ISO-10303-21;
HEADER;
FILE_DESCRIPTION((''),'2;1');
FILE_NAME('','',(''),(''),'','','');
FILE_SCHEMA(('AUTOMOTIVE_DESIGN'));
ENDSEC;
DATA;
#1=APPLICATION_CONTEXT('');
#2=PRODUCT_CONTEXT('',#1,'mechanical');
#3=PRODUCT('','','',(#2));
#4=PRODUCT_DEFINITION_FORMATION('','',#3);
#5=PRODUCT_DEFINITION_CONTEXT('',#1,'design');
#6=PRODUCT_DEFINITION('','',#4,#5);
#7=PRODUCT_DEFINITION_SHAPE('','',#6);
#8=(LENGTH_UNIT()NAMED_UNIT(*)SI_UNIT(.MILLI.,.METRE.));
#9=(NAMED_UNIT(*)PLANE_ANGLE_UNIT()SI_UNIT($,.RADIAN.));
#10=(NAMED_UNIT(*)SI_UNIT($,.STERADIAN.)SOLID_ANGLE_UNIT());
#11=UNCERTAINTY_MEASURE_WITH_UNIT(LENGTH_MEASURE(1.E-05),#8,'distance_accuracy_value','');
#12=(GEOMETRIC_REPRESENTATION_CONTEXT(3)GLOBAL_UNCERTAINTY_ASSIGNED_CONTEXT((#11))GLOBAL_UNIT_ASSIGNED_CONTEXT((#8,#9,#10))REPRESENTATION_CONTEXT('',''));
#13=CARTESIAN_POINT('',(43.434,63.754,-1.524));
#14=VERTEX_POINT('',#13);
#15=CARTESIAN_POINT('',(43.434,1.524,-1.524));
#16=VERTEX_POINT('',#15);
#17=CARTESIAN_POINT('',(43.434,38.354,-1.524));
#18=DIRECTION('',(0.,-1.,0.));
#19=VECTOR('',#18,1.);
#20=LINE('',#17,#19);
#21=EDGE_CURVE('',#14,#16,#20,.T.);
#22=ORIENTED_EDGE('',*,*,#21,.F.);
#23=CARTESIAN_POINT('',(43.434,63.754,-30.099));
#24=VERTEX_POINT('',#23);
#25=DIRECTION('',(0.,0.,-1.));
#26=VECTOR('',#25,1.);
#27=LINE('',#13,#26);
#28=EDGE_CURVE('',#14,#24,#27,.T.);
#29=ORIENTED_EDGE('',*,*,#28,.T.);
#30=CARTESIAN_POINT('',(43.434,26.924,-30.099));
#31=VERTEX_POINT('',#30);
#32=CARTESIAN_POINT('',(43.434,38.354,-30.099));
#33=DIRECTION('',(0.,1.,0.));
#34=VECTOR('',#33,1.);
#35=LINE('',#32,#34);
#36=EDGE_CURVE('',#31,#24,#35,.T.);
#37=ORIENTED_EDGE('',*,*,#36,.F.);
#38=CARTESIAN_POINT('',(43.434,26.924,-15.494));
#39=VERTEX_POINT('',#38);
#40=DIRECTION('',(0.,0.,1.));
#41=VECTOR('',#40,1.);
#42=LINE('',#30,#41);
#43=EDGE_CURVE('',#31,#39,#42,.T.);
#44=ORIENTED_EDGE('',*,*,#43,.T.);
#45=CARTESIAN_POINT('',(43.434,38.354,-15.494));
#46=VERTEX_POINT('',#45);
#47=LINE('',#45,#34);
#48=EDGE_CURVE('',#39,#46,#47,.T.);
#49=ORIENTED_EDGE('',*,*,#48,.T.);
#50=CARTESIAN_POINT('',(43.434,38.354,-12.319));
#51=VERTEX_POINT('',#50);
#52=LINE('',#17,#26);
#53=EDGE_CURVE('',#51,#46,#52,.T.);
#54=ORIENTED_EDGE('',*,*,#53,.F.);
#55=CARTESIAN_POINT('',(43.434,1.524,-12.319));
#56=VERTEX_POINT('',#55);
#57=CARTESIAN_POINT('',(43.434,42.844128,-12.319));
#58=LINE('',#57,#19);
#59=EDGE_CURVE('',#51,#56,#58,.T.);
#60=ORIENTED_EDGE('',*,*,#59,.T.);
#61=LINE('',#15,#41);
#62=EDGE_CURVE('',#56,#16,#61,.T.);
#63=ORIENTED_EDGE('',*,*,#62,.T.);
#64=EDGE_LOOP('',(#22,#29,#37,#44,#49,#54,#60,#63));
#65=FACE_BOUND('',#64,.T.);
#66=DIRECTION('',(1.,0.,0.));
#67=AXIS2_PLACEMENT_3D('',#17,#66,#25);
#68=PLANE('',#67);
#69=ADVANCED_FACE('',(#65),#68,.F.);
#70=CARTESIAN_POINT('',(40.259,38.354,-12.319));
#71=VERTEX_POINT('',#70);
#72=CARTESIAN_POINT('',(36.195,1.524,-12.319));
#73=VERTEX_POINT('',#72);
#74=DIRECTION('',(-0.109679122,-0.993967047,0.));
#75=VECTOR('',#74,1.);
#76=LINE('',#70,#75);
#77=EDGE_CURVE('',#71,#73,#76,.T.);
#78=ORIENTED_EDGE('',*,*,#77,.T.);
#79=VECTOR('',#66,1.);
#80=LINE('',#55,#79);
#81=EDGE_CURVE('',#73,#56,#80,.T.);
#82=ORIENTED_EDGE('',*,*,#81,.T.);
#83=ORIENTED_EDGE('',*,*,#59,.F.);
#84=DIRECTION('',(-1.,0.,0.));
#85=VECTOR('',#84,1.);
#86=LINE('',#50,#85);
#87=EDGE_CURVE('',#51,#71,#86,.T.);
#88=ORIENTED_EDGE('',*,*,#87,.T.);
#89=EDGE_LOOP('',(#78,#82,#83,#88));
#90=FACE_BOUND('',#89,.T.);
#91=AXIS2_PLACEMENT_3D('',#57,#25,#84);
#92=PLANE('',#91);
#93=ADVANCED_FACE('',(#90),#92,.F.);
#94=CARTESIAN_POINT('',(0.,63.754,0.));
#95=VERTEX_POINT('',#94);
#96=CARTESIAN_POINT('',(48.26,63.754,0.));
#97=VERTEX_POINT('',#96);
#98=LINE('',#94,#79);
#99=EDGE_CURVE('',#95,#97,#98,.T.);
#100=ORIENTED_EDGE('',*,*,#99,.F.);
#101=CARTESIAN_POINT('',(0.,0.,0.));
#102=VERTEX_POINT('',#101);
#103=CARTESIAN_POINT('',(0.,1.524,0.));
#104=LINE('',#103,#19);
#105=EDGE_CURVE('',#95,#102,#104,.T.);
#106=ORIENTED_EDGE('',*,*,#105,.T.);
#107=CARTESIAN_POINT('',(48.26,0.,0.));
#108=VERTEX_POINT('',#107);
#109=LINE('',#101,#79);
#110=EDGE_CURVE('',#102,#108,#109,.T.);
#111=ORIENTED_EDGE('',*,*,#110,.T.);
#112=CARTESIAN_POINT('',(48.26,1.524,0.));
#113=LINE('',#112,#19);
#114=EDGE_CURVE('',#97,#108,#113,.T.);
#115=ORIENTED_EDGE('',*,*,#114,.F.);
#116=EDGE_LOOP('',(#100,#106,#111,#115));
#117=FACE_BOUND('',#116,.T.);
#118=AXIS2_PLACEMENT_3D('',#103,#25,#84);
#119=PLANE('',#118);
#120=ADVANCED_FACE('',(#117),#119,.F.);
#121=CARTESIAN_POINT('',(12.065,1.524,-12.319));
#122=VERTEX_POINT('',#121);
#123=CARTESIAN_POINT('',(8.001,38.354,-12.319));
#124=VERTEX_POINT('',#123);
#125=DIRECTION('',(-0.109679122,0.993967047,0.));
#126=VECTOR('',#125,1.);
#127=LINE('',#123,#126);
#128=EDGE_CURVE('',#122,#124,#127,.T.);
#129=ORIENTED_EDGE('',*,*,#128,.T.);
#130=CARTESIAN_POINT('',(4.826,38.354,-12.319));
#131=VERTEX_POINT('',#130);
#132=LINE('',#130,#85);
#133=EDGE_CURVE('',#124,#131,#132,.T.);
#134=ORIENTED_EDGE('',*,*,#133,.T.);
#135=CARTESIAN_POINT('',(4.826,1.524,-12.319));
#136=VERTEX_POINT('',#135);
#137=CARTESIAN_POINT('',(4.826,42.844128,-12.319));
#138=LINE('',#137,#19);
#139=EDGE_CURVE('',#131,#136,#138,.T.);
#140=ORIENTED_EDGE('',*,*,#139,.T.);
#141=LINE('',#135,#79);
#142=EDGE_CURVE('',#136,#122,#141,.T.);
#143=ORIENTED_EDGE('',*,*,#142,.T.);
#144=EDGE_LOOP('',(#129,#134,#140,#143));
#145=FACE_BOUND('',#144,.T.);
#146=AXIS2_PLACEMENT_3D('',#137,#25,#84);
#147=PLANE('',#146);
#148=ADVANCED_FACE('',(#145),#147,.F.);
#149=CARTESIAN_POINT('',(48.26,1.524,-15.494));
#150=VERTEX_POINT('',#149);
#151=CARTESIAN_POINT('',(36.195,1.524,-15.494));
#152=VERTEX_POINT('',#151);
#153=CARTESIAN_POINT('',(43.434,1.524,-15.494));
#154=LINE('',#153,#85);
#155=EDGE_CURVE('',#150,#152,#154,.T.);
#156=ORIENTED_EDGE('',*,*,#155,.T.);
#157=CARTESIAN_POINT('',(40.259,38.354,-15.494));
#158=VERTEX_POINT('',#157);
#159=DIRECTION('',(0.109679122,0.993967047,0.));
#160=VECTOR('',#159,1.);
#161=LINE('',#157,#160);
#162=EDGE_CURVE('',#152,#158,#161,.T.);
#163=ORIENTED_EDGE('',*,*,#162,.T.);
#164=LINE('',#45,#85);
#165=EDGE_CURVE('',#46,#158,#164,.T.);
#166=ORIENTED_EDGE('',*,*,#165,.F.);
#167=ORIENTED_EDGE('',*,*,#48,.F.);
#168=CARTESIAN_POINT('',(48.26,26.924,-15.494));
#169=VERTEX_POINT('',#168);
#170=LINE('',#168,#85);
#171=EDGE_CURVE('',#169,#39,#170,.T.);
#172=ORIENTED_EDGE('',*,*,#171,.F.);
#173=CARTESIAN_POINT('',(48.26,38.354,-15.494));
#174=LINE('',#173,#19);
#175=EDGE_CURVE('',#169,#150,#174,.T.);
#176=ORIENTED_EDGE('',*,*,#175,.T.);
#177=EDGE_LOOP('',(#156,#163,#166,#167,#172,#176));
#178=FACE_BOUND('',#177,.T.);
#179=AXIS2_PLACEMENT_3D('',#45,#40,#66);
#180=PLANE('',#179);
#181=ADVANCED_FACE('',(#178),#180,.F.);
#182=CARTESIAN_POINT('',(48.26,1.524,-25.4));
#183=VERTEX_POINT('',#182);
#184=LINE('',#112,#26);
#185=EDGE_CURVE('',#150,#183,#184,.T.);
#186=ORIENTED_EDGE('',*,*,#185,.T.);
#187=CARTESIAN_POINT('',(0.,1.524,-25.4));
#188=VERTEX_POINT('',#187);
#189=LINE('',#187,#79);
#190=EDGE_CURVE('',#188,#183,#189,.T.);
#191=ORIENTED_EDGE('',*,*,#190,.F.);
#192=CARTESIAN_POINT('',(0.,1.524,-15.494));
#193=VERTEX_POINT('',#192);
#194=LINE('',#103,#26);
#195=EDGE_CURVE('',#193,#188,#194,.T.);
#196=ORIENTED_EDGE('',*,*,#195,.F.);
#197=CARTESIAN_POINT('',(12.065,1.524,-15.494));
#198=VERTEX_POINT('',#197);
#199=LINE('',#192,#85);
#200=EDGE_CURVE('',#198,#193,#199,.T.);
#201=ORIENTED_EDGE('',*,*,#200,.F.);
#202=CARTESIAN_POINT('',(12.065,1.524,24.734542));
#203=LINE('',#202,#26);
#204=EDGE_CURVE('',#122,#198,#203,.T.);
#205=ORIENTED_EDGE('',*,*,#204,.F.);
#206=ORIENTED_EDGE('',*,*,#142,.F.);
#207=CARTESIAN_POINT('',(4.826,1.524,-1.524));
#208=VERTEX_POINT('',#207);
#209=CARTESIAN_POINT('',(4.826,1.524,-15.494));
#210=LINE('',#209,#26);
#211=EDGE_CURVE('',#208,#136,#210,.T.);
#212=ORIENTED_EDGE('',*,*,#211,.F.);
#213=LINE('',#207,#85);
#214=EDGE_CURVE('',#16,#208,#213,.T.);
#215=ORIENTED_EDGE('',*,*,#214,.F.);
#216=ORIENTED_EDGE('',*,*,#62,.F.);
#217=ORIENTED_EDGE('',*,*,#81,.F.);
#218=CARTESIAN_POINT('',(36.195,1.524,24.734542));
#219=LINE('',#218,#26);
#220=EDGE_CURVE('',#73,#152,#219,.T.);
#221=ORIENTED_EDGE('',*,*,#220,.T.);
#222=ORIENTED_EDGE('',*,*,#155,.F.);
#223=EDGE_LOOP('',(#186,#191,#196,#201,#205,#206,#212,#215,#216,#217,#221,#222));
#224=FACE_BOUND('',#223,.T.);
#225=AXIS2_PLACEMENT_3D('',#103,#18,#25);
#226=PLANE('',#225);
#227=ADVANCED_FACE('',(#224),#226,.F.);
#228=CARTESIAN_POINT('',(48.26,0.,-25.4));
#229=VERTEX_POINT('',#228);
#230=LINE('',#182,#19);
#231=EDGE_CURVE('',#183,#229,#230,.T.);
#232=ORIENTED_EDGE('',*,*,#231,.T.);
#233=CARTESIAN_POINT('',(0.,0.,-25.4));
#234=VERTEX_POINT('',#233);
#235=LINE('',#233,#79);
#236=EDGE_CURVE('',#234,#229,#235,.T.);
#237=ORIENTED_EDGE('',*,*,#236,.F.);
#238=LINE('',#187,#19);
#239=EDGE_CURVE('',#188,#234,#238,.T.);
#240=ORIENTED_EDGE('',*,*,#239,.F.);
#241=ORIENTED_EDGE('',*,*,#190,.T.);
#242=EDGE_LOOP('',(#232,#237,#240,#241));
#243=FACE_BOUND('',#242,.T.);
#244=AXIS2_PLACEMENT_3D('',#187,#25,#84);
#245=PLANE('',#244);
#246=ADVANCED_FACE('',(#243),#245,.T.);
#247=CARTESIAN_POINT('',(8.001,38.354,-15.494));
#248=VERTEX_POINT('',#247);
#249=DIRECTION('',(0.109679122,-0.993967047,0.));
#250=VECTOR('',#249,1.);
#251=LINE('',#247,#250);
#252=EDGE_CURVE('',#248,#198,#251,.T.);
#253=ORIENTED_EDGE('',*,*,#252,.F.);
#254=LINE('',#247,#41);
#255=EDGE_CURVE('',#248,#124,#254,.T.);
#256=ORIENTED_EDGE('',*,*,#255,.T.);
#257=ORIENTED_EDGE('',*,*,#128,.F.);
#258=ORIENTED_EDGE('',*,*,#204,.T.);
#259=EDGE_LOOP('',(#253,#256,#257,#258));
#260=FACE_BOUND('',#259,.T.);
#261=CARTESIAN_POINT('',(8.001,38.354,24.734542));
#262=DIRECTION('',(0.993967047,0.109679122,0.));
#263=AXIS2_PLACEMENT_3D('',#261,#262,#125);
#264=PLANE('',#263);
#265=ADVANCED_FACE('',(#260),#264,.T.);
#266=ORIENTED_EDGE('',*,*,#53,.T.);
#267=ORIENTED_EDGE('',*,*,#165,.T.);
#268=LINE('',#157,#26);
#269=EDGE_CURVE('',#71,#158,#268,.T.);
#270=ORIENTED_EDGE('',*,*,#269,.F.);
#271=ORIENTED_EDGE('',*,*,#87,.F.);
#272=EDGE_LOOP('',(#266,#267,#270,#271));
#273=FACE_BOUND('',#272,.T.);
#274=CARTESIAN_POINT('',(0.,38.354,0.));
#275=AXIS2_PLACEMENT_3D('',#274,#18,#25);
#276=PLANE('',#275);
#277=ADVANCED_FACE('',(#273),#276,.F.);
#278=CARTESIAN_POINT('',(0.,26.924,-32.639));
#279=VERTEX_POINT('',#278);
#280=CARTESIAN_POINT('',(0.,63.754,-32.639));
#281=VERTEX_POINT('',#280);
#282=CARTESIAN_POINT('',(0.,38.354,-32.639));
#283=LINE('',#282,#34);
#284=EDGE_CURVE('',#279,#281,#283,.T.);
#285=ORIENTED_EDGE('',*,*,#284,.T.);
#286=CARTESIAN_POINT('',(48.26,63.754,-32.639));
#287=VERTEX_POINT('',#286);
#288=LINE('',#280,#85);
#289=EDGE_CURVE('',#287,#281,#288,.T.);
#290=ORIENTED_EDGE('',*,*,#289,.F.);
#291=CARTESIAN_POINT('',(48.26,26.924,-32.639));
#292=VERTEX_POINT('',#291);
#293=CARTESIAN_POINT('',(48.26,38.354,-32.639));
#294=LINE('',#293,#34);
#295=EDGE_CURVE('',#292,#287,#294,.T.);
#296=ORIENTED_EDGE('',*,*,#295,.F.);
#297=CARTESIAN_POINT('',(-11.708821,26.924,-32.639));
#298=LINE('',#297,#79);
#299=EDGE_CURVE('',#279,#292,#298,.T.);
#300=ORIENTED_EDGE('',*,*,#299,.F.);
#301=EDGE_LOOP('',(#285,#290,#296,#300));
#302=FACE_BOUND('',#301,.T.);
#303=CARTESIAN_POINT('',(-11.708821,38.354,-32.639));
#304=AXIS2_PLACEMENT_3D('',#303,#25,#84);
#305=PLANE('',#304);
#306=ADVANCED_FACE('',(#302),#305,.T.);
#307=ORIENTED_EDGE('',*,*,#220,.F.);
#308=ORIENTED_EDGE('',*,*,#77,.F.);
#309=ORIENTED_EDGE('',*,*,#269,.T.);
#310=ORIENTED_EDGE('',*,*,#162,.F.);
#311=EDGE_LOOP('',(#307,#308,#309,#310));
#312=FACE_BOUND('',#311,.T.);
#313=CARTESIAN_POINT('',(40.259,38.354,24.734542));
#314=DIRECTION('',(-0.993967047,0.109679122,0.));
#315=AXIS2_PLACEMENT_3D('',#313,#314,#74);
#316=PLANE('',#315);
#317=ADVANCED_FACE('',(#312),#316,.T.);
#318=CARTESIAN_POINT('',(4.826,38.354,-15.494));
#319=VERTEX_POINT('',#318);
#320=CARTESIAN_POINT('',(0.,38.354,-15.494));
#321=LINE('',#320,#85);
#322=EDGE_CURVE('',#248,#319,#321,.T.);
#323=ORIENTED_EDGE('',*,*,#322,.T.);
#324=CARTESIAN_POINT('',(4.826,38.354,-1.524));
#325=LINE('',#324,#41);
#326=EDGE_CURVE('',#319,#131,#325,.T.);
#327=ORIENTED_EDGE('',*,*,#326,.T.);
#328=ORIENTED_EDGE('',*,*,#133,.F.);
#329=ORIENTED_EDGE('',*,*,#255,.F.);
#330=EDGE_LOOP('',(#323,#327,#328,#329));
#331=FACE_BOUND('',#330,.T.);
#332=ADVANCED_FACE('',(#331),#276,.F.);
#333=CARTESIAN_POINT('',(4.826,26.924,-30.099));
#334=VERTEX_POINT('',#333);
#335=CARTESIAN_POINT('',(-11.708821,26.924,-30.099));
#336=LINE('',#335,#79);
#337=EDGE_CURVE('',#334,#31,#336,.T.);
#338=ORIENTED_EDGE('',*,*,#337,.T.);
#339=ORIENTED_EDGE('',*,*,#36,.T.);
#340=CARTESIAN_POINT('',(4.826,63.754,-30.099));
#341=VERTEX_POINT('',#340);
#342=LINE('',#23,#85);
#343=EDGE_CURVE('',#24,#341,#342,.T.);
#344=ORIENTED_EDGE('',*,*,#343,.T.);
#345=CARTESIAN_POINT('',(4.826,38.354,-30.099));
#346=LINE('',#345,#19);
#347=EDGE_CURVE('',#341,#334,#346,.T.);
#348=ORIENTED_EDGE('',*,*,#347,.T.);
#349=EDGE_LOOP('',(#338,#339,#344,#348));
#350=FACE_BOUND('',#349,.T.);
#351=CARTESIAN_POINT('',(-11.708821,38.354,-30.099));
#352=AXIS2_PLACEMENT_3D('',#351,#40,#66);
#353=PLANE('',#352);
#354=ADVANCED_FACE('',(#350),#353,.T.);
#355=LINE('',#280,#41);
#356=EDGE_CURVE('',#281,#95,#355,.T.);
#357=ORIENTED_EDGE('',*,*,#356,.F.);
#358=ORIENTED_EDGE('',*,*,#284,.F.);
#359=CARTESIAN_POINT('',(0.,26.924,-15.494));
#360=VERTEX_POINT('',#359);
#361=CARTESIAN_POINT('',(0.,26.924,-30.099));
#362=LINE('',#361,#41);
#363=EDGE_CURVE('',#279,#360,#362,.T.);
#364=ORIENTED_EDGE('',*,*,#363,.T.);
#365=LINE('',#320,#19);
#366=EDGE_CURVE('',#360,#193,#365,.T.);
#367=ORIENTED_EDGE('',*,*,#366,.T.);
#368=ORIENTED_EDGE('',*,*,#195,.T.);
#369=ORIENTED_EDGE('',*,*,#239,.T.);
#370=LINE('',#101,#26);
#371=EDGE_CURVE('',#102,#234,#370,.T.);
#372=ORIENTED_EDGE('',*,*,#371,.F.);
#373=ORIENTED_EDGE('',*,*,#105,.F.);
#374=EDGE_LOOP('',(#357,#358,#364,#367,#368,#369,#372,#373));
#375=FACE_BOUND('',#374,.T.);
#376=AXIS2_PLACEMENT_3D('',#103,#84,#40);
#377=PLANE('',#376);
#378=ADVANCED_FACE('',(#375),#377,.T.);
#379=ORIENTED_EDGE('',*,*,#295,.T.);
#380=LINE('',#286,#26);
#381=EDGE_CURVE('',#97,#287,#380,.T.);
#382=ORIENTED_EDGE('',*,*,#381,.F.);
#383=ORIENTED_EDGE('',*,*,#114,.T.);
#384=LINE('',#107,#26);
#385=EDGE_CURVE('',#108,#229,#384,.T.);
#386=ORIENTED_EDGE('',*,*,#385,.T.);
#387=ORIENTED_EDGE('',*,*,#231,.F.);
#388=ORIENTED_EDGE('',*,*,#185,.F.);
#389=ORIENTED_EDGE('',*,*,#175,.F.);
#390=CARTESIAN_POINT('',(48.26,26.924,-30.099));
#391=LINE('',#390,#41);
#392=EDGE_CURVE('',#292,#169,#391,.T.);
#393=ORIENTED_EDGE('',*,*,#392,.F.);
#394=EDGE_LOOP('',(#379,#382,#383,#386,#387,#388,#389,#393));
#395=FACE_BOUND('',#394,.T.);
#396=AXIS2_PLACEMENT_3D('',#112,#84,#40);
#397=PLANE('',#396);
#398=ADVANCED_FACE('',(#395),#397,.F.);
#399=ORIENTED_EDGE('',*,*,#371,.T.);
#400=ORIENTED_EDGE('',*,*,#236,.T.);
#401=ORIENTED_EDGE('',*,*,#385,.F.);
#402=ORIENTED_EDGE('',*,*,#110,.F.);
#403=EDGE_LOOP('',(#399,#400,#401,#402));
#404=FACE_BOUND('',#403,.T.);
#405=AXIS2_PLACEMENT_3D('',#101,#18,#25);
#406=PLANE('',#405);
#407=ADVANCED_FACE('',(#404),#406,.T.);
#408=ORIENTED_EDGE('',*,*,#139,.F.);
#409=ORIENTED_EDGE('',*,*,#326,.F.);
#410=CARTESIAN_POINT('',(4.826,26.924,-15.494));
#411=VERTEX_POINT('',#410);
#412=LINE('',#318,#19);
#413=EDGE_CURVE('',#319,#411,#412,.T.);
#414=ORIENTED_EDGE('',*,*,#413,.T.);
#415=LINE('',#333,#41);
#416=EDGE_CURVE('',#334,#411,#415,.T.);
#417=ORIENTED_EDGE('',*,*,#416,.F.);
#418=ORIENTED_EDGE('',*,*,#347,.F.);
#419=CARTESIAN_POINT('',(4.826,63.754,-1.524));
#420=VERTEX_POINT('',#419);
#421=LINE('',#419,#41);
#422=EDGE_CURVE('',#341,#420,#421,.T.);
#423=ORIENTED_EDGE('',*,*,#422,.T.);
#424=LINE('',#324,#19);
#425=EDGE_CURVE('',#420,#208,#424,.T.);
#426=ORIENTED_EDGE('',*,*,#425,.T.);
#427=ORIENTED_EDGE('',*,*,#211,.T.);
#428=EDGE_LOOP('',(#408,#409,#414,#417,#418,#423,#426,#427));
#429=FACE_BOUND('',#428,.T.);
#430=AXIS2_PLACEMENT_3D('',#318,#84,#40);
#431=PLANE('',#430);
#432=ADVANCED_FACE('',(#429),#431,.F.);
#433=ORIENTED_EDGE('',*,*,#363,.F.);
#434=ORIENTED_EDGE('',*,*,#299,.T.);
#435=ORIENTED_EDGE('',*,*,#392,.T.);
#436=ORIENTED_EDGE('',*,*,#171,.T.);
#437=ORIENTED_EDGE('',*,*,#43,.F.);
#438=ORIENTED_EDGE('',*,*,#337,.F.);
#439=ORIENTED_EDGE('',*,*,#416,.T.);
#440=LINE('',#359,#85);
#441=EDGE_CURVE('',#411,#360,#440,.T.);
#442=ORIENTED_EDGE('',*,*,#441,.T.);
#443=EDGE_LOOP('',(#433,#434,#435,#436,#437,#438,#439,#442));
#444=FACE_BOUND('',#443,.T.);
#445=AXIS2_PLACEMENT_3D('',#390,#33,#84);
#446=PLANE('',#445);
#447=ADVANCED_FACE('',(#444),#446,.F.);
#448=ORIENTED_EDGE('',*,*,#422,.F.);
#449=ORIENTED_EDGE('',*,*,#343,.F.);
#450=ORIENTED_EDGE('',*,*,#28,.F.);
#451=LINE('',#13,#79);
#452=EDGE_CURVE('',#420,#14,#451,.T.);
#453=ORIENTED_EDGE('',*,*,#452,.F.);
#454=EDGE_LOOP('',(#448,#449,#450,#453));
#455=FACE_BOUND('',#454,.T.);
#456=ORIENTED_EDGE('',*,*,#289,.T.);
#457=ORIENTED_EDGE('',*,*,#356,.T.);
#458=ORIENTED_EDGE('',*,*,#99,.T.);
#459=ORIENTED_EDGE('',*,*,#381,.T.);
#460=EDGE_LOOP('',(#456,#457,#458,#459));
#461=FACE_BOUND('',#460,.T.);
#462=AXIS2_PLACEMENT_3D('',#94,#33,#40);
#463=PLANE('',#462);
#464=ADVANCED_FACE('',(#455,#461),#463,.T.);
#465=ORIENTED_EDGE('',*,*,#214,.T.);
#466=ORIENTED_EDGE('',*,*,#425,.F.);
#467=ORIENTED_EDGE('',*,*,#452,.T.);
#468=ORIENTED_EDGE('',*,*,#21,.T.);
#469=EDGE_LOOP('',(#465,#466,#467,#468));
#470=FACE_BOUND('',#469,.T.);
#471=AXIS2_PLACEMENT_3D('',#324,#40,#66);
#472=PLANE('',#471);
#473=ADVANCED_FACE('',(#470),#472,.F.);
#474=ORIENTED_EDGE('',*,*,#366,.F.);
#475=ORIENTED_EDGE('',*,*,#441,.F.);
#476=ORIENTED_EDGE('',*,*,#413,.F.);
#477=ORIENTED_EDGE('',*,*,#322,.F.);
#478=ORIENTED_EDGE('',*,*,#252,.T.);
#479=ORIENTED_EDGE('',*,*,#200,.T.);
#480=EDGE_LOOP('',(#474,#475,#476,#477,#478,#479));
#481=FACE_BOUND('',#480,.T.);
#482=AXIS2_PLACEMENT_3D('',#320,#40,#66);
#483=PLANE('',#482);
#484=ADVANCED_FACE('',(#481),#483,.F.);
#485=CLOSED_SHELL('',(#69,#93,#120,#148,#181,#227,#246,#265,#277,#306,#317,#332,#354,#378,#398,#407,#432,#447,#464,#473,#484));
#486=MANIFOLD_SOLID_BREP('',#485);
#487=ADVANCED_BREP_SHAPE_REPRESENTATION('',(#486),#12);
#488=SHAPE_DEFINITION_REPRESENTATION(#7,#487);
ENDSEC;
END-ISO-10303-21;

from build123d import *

# Parameters (mm, degrees)
SKETCH1_W           = 48.26
SKETCH1_H           = 25.4
BOSS_EXTRUDE1_DEPTH = 1.524
BOSS_EXTRUDE2_DEPTH = 36.83
SKETCH3_W           = 3.175
SKETCH3_H           = 3.175
BOSS_EXTRUDE3_DEPTH = 36.83
BOSS_EXTRUDE4_DEPTH = 3.175
SKETCH5_W           = 4.826
SKETCH5_H           = 11.43
BOSS_EXTRUDE5_DEPTH = 14.605
SKETCH7_W           = 2.54
SKETCH7_H           = 11.43
BOSS_EXTRUDE6_DEPTH = 48.26
SKETCH8_W           = 48.26
SKETCH8_H           = 32.639
SKETCH8_W_2         = 38.608
SKETCH8_H_2         = 28.575
BOSS_EXTRUDE7_DEPTH = 25.4


with BuildPart() as part:
    # Sketch1 → Boss-Extrude1 (new body)
    with BuildSketch(Plane(origin=(0, 0, 0), x_dir=(1, 0, 0), z_dir=(0, 1, 0))):
        with Locations((24.13, 12.7)):
            Rectangle(SKETCH1_W, SKETCH1_H)
    extrude(amount=BOSS_EXTRUDE1_DEPTH)

    # Sketch2 → Boss-Extrude2 (add)
    with BuildSketch(Plane(origin=(0, 1.524, 0), x_dir=(1, 0, 0), z_dir=(0, 1, 0))):
        Polygon((0, 15.494), (4.826, 15.494), (4.826, 1.524), (43.434, 1.524), (43.434, 15.494), (48.26, 15.494), (48.26, 0), (0, 0), align=None)
    extrude(amount=BOSS_EXTRUDE2_DEPTH)

    # Sketch3 → Boss-Extrude3 (add)
    with BuildSketch(Plane(origin=(0, 1.524, 0), x_dir=(1, 0, 0), z_dir=(0, 1, 0))):
        with Locations((6.4135, 13.9065)):
            Rectangle(SKETCH3_W, SKETCH3_H)
        with Locations((41.8465, 13.9065)):
            Rectangle(SKETCH3_W, SKETCH3_H)
    extrude(amount=BOSS_EXTRUDE3_DEPTH)

    # Sketch4 → Boss-Extrude4 (add)
    with BuildSketch(Plane(origin=(0, 0, -15.494), x_dir=(-1, 0, 0), z_dir=(0, 0, -1))):
        Polygon((-40.259, 38.354), (-36.195, 1.524), (-40.259, 1.524), align=None)
        Polygon((-8.001, 38.354), (-12.065, 1.524), (-8.001, 1.524), align=None)
    extrude(amount=-BOSS_EXTRUDE4_DEPTH)

    # Sketch5 → Boss-Extrude5 (add)
    with BuildSketch(Plane(origin=(0, 0, -15.494), x_dir=(-1, 0, 0), z_dir=(0, 0, -1))):
        with Locations((-45.847, 32.639)):
            Rectangle(SKETCH5_W, SKETCH5_H)
        with Locations((-2.413, 32.639)):
            Rectangle(SKETCH5_W, SKETCH5_H)
    extrude(amount=BOSS_EXTRUDE5_DEPTH)

    # Sketch7 → Boss-Extrude6 (add)
    with BuildSketch(Plane(origin=(48.26, 0, 0), x_dir=(0, 0, -1), z_dir=(1, 0, 0))):
        with Locations((31.369, 32.639)):
            Rectangle(SKETCH7_W, SKETCH7_H)
    extrude(amount=-BOSS_EXTRUDE6_DEPTH)

    # Sketch8 → Boss-Extrude7 (add)
    with BuildSketch(Plane(origin=(0, 38.354, 0), x_dir=(1, 0, 0), z_dir=(0, 1, 0))):
        with Locations((24.13, 16.3195)):
            Rectangle(SKETCH8_W, SKETCH8_H)
        with Locations((24.13, 15.8115)):
            Rectangle(SKETCH8_W_2, SKETCH8_H_2, mode=Mode.SUBTRACT)
    extrude(amount=BOSS_EXTRUDE7_DEPTH)


solid = part.part
